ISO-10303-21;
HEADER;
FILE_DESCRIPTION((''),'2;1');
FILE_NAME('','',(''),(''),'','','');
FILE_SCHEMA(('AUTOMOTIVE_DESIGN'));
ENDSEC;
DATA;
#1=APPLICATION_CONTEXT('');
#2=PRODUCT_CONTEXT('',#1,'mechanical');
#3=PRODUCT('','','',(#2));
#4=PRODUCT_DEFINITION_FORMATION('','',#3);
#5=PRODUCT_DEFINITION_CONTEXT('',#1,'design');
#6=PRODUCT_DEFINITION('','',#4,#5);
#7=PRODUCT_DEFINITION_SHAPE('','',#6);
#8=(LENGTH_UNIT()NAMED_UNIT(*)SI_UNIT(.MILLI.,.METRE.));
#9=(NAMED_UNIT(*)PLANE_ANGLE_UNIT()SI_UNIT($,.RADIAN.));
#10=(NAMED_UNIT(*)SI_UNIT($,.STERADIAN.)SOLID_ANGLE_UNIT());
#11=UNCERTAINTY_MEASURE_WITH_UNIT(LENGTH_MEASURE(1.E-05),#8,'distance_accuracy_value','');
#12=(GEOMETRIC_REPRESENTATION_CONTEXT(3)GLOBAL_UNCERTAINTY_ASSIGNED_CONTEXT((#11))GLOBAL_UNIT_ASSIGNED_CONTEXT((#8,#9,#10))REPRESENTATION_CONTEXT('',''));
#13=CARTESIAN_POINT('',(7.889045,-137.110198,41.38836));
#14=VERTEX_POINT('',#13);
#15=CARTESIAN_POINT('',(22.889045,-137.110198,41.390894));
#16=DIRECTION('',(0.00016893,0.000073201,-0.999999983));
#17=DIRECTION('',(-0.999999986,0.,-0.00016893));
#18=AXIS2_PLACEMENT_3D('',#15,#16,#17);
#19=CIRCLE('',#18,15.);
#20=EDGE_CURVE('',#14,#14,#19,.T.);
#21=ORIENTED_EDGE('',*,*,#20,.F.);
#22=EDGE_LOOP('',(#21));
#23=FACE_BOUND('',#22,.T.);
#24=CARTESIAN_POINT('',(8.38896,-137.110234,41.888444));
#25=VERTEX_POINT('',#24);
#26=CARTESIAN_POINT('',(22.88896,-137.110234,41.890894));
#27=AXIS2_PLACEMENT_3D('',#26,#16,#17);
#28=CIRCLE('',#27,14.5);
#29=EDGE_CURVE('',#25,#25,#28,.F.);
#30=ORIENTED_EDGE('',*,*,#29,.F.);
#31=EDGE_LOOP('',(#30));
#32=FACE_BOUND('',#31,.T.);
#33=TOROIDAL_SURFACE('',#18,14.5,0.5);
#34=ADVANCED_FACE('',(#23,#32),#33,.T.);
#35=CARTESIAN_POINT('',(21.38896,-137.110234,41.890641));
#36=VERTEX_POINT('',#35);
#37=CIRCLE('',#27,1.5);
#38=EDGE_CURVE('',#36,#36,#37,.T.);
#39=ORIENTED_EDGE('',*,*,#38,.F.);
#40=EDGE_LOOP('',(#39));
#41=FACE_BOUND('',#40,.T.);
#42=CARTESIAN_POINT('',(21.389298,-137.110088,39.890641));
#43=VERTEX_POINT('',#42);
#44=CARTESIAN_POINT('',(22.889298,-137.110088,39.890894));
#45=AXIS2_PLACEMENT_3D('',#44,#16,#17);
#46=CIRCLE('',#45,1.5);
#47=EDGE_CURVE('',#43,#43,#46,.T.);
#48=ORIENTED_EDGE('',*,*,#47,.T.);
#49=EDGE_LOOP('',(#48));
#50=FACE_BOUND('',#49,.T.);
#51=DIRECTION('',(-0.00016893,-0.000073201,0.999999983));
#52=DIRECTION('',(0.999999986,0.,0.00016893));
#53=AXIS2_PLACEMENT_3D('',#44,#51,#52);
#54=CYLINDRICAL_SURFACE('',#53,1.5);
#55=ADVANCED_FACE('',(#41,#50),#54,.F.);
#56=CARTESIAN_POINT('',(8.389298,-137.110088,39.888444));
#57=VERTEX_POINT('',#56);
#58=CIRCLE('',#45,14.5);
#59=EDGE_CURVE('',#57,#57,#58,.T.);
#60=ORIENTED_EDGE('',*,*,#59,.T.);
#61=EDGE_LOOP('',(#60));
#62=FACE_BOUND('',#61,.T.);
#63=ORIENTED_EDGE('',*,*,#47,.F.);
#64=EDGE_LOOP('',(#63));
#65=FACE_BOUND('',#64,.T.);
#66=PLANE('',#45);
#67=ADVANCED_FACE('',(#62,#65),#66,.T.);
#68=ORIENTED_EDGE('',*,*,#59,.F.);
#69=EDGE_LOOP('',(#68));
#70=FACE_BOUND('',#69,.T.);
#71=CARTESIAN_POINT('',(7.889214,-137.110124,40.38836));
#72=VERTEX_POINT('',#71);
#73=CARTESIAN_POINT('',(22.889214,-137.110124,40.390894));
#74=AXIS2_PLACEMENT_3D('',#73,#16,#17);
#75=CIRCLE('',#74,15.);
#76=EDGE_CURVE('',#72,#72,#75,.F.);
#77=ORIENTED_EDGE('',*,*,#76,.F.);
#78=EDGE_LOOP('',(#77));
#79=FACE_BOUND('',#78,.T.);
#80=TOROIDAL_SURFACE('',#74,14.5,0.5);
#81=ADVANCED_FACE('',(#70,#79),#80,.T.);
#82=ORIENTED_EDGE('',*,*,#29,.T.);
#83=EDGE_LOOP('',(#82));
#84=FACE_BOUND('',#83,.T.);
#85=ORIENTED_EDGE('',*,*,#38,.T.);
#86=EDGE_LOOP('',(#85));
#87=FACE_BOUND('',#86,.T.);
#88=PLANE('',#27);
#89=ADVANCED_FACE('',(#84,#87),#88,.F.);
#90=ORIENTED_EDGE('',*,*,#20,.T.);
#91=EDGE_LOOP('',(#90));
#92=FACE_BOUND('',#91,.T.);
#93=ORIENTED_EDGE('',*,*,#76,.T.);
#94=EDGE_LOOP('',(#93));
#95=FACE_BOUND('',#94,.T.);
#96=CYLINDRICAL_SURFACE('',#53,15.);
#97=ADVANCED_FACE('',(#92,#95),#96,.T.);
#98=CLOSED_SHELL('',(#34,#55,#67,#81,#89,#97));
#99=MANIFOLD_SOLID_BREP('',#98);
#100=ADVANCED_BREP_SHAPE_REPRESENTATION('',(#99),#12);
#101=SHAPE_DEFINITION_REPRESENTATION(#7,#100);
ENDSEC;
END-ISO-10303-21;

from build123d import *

# Parameters (mm, degrees)
SKETCH2_R           = 15
SKETCH2_R_2         = 1.5
BOSS_EXTRUDE1_DEPTH = 2
FILLET1_R           = 0.5
FILLET3_R           = 0.5


with BuildPart() as part:
    # Sketch2 → Boss-Extrude1 (new body)
    with BuildSketch(Plane(origin=(-0.007077674, -0.003066892, 41.897062416), x_dir=(0.837169553, 0.546943422, 0.00018146), z_dir=(0.00016893, 7.3201e-05, -0.999999983))):
        with Locations((-55.821998493, 127.304785363)):
            Circle(SKETCH2_R)
        with Locations((-55.821998493, 127.304785363)):
            Circle(SKETCH2_R_2, mode=Mode.SUBTRACT)
    extrude(amount=BOSS_EXTRUDE1_DEPTH)

    # Fillet1
    fillet1_edges = [part.edges().sort_by_distance(p)[0] for p in [
        (10.331416884, -145.31438544, 41.888172015),
    ]]
    fillet(fillet1_edges, radius=FILLET1_R)

    # Fillet3
    fillet3_edges = [part.edges().sort_by_distance(p)[0] for p in [
        (10.331754744, -145.314239039, 39.888172049),
    ]]
    fillet(fillet3_edges, radius=FILLET3_R)


solid = part.part
